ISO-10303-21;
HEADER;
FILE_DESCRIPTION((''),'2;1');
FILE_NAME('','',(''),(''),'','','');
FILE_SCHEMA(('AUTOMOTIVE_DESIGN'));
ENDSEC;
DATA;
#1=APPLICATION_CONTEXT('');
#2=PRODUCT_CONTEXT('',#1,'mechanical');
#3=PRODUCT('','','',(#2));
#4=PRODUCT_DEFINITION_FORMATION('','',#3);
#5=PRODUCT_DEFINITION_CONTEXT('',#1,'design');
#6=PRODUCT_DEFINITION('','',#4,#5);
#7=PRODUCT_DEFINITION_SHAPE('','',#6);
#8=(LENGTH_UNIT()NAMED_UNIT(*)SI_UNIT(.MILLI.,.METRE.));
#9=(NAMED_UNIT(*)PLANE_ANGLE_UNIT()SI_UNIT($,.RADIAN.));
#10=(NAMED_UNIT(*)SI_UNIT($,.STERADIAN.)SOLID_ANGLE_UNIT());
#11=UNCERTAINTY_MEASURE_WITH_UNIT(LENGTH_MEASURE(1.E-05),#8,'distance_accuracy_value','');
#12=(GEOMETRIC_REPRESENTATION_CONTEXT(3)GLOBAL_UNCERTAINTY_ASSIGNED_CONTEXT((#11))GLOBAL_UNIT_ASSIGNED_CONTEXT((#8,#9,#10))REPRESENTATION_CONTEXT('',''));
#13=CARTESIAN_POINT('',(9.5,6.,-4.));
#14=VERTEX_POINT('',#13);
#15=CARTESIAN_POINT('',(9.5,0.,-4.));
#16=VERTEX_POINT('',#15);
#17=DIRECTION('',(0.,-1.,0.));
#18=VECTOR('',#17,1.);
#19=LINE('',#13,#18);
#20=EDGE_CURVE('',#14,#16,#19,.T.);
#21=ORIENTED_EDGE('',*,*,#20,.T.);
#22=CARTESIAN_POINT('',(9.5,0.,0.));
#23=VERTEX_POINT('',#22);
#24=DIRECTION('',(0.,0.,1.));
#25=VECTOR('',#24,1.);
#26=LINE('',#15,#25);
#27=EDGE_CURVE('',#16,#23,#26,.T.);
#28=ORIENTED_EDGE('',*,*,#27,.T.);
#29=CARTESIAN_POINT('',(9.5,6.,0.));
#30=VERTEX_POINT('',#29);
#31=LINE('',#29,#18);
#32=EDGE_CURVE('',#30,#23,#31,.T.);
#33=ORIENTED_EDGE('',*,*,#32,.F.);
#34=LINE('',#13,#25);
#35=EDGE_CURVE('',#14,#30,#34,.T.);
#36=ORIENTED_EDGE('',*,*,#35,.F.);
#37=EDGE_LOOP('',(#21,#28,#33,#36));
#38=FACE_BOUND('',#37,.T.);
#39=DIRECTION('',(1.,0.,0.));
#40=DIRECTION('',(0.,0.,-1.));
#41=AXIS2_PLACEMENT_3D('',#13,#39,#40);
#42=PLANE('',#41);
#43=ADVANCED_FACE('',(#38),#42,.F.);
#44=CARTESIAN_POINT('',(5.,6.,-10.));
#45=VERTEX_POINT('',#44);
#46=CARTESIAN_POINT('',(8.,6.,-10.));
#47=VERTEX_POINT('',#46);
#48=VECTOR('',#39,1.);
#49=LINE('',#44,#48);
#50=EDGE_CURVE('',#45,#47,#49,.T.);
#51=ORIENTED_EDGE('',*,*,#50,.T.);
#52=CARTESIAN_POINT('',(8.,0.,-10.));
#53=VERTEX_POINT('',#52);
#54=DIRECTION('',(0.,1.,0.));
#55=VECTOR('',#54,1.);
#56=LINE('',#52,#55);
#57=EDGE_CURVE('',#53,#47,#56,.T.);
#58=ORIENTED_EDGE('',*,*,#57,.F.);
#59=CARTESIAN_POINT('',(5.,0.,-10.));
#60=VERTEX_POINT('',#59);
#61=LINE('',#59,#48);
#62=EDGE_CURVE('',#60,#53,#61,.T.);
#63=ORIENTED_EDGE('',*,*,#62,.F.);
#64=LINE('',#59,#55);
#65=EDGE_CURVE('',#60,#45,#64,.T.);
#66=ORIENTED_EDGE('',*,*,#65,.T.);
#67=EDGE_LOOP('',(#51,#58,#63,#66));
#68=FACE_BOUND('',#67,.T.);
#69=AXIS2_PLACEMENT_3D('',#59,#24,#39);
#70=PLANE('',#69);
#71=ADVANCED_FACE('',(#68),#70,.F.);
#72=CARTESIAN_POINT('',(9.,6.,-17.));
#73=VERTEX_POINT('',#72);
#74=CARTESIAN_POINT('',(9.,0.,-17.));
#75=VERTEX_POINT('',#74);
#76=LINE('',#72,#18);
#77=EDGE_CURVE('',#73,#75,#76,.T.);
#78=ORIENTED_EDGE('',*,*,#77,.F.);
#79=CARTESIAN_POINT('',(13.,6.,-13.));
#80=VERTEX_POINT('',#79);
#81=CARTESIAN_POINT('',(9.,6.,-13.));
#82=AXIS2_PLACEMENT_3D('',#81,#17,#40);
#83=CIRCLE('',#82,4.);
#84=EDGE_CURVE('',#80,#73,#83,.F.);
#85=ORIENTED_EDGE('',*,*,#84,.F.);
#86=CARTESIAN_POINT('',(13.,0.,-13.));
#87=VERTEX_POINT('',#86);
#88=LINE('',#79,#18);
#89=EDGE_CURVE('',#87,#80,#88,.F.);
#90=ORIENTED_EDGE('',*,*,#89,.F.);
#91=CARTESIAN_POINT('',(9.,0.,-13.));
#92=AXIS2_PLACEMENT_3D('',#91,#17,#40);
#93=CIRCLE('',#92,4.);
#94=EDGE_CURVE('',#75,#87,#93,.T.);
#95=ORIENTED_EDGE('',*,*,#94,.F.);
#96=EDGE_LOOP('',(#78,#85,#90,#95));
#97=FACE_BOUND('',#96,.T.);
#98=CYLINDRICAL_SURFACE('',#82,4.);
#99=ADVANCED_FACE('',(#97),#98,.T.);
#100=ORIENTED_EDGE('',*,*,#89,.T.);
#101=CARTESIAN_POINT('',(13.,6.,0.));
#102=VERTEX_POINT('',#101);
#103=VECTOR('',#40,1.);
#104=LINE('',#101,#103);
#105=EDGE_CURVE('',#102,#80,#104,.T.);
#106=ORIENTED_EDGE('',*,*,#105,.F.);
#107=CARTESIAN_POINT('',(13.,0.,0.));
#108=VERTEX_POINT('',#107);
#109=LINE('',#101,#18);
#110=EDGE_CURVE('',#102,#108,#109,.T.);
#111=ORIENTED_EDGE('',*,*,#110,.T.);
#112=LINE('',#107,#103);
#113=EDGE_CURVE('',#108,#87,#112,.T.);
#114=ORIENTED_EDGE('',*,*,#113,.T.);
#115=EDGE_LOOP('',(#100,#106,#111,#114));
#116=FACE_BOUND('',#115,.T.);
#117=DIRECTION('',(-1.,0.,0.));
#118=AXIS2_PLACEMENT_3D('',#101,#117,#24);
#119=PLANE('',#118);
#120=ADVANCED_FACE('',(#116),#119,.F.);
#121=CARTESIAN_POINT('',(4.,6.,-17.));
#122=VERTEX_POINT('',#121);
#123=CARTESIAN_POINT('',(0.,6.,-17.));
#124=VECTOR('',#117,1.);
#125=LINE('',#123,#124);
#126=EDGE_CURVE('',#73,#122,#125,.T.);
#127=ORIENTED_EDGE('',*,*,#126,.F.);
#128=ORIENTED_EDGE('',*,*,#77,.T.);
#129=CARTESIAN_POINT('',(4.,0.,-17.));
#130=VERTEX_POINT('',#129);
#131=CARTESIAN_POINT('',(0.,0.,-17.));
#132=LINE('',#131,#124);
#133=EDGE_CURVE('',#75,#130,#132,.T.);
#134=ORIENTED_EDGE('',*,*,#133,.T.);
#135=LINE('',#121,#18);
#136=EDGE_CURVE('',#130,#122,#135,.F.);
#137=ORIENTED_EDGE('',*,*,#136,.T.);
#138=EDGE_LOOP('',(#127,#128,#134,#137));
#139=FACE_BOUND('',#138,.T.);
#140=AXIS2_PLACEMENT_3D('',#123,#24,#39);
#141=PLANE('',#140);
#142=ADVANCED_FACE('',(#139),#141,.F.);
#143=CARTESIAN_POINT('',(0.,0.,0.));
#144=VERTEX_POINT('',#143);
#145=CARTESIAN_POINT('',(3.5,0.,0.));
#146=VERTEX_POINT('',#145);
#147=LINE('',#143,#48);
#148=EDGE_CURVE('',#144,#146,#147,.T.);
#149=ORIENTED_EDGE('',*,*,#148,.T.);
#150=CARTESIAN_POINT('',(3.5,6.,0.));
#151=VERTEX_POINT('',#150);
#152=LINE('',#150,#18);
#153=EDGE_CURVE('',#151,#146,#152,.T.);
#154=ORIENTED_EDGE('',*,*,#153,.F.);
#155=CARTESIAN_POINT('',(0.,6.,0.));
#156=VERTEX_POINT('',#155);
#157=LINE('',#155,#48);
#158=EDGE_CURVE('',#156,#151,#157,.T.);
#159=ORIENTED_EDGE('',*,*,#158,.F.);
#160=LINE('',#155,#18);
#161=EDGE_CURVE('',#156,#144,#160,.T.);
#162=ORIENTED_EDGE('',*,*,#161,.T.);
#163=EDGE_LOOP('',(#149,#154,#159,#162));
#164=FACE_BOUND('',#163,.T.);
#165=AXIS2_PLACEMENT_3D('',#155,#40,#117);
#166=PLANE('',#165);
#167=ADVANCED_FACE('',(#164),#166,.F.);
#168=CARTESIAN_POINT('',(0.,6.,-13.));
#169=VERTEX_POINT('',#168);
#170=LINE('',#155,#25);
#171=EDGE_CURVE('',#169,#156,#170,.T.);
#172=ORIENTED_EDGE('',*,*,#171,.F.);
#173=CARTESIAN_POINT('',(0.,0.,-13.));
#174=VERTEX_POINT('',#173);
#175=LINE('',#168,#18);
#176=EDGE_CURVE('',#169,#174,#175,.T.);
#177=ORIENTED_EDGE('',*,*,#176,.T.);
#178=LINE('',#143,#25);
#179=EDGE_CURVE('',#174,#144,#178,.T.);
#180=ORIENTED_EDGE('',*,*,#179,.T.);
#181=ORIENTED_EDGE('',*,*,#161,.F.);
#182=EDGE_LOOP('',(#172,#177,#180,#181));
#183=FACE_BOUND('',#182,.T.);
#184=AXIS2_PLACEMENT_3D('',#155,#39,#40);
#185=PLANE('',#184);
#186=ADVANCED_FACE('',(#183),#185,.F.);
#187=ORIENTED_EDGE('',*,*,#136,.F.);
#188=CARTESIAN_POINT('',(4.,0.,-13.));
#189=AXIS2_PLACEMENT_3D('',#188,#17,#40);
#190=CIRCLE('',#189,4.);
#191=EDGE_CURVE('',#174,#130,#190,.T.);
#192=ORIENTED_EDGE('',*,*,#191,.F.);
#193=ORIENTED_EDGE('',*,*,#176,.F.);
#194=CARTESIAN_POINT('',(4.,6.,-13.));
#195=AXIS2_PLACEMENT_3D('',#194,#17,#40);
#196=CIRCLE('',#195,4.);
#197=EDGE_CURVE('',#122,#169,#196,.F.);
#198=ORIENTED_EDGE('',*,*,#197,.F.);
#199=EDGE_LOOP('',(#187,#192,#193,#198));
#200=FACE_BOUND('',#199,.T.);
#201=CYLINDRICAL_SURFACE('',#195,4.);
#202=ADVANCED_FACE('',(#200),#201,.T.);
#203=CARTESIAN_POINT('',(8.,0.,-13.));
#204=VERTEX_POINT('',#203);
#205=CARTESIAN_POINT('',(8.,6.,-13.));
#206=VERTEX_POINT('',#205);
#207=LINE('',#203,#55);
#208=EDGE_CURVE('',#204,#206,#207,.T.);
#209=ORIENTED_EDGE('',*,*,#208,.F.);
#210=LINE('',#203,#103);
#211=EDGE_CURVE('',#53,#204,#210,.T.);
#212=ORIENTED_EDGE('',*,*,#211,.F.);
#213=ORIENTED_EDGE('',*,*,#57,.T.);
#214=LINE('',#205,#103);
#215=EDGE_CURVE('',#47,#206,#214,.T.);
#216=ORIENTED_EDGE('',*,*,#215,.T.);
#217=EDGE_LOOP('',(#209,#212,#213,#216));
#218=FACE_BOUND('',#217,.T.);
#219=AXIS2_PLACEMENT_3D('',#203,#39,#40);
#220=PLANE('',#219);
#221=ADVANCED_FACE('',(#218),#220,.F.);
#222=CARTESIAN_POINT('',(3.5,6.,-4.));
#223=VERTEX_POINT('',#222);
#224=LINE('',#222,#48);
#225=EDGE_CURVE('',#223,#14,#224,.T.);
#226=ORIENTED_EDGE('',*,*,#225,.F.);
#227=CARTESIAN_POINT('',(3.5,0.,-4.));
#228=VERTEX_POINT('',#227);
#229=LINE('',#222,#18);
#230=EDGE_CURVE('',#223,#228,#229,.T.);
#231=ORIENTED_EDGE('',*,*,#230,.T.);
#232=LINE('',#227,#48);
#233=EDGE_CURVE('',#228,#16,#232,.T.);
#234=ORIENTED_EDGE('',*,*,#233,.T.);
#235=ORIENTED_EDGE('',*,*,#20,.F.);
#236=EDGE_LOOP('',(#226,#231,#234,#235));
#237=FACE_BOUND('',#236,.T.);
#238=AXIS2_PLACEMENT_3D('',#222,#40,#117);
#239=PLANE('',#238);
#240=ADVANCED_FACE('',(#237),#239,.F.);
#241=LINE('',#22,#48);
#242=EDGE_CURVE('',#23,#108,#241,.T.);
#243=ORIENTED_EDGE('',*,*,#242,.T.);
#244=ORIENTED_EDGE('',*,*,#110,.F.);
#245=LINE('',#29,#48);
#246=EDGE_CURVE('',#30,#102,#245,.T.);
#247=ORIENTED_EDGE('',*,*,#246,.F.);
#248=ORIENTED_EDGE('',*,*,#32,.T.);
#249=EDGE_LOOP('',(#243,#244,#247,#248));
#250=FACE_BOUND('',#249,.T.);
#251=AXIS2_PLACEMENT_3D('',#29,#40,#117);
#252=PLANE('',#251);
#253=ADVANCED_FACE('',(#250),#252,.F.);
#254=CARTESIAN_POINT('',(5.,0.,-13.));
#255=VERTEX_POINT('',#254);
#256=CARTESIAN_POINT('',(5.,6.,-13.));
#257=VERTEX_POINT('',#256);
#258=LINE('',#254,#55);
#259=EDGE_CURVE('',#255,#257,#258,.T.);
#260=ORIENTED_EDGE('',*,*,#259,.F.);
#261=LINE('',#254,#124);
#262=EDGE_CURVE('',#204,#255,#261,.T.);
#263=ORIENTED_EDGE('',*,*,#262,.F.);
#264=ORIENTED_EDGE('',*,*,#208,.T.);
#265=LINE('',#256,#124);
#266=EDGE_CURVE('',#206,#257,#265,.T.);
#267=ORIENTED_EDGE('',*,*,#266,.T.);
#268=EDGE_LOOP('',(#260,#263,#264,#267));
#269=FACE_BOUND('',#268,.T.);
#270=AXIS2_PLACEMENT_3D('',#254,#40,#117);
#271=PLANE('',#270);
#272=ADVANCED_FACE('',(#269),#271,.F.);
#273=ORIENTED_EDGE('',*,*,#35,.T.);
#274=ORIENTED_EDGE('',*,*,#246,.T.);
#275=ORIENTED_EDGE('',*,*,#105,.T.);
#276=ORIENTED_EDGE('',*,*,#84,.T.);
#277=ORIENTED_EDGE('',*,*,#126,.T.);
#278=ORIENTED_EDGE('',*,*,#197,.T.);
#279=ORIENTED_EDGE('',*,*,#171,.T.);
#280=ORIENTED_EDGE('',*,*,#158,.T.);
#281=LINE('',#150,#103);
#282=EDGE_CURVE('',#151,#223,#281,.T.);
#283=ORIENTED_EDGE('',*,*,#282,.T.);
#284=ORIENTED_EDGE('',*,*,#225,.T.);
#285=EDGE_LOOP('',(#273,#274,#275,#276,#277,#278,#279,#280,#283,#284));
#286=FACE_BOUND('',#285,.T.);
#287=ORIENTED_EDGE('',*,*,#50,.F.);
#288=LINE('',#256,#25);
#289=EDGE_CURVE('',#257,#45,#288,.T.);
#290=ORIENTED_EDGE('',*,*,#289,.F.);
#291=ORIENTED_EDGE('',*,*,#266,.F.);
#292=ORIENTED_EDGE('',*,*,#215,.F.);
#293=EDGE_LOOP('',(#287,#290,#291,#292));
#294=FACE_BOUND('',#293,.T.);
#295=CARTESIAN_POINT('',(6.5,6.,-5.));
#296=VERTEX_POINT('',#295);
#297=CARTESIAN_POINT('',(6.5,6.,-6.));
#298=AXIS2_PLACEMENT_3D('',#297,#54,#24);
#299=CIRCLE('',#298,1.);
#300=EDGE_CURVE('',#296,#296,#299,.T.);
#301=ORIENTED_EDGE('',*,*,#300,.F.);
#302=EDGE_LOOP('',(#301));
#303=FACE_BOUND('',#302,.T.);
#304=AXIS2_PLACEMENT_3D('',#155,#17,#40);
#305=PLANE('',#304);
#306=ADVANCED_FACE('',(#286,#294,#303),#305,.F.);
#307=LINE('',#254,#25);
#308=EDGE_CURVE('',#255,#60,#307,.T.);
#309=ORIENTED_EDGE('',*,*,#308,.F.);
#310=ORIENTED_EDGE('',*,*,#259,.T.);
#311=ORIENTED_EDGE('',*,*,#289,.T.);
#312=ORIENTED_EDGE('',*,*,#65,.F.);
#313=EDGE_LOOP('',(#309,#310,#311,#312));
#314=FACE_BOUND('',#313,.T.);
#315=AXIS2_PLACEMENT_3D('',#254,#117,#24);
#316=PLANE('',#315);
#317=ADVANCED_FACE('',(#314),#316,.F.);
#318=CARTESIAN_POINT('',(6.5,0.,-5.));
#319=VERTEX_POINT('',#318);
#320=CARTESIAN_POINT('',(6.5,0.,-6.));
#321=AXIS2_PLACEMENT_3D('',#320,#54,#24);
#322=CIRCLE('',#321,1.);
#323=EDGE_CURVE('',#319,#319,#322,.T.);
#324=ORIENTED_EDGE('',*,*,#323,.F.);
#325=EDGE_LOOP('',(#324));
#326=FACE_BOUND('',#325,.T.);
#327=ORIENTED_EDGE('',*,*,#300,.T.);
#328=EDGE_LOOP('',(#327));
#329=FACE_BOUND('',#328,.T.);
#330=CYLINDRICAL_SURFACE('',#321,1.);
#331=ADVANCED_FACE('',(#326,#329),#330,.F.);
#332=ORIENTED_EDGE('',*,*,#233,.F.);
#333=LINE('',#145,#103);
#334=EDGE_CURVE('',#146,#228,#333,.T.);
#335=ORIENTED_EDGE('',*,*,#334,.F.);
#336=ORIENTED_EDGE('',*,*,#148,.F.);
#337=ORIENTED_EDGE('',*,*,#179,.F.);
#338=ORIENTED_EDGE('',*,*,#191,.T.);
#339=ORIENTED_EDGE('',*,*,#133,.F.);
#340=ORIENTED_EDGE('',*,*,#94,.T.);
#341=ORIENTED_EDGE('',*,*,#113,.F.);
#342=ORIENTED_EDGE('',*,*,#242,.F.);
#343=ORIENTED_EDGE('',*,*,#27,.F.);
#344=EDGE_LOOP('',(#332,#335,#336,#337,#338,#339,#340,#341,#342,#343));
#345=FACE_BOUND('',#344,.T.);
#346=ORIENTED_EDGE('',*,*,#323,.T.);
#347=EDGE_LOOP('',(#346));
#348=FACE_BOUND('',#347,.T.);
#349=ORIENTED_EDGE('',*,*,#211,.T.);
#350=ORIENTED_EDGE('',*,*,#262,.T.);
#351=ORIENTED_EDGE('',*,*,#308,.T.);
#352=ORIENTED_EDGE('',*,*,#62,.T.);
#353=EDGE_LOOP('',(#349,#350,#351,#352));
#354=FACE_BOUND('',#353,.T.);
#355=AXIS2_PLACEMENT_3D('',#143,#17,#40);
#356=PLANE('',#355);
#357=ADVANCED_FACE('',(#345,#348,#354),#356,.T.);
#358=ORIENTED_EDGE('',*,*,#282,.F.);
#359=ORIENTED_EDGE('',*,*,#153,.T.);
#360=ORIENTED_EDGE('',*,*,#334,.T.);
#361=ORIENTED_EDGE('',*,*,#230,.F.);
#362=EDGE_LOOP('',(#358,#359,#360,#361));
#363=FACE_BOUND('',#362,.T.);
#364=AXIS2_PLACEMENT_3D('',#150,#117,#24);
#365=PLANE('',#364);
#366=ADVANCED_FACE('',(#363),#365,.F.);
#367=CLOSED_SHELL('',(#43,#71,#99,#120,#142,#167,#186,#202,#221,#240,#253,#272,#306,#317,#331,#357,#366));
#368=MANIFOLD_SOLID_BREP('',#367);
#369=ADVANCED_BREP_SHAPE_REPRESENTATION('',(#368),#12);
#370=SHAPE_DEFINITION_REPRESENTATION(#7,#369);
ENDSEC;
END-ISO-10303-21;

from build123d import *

# Parameters (mm, degrees)
BOSS_EXTRUDE1_DEPTH = 6
SKETCH2_R           = 1
SKETCH2_W           = 3
SKETCH2_H           = 3
CUT_EXTRUDE1_DEPTH  = 23.226110771
FILLET1_R           = 4


with BuildPart() as part:
    # Sketch1 → Boss-Extrude1 (new body)
    with BuildSketch(Plane(origin=(0, 0, 0), x_dir=(1, 0, 0), z_dir=(0, 1, 0))):
        Polygon((3.5, 0), (3.5, 4), (9.5, 4), (9.5, 0), (13, 0), (13, 17), (0, 17), (0, 0), align=None)
    extrude(amount=BOSS_EXTRUDE1_DEPTH)

    # Sketch2 → Cut-Extrude1 (cut, through all)
    with BuildSketch(Plane(origin=(0, 6, 0), x_dir=(1, 0, 0), z_dir=(0, 1, 0))):
        with Locations(Location((6.5, 6, 0), (0, 0, 270))):
            Circle(SKETCH2_R)
        with Locations((6.5, 11.5)):
            Rectangle(SKETCH2_W, SKETCH2_H)
    extrude(amount=-CUT_EXTRUDE1_DEPTH, mode=Mode.SUBTRACT)

    # Fillet1
    fillet1_edges = [part.edges().sort_by_distance(p)[0] for p in [
        (0, 3, -17),
        (13, 3, -17),
    ]]
    fillet(fillet1_edges, radius=FILLET1_R)


solid = part.part
